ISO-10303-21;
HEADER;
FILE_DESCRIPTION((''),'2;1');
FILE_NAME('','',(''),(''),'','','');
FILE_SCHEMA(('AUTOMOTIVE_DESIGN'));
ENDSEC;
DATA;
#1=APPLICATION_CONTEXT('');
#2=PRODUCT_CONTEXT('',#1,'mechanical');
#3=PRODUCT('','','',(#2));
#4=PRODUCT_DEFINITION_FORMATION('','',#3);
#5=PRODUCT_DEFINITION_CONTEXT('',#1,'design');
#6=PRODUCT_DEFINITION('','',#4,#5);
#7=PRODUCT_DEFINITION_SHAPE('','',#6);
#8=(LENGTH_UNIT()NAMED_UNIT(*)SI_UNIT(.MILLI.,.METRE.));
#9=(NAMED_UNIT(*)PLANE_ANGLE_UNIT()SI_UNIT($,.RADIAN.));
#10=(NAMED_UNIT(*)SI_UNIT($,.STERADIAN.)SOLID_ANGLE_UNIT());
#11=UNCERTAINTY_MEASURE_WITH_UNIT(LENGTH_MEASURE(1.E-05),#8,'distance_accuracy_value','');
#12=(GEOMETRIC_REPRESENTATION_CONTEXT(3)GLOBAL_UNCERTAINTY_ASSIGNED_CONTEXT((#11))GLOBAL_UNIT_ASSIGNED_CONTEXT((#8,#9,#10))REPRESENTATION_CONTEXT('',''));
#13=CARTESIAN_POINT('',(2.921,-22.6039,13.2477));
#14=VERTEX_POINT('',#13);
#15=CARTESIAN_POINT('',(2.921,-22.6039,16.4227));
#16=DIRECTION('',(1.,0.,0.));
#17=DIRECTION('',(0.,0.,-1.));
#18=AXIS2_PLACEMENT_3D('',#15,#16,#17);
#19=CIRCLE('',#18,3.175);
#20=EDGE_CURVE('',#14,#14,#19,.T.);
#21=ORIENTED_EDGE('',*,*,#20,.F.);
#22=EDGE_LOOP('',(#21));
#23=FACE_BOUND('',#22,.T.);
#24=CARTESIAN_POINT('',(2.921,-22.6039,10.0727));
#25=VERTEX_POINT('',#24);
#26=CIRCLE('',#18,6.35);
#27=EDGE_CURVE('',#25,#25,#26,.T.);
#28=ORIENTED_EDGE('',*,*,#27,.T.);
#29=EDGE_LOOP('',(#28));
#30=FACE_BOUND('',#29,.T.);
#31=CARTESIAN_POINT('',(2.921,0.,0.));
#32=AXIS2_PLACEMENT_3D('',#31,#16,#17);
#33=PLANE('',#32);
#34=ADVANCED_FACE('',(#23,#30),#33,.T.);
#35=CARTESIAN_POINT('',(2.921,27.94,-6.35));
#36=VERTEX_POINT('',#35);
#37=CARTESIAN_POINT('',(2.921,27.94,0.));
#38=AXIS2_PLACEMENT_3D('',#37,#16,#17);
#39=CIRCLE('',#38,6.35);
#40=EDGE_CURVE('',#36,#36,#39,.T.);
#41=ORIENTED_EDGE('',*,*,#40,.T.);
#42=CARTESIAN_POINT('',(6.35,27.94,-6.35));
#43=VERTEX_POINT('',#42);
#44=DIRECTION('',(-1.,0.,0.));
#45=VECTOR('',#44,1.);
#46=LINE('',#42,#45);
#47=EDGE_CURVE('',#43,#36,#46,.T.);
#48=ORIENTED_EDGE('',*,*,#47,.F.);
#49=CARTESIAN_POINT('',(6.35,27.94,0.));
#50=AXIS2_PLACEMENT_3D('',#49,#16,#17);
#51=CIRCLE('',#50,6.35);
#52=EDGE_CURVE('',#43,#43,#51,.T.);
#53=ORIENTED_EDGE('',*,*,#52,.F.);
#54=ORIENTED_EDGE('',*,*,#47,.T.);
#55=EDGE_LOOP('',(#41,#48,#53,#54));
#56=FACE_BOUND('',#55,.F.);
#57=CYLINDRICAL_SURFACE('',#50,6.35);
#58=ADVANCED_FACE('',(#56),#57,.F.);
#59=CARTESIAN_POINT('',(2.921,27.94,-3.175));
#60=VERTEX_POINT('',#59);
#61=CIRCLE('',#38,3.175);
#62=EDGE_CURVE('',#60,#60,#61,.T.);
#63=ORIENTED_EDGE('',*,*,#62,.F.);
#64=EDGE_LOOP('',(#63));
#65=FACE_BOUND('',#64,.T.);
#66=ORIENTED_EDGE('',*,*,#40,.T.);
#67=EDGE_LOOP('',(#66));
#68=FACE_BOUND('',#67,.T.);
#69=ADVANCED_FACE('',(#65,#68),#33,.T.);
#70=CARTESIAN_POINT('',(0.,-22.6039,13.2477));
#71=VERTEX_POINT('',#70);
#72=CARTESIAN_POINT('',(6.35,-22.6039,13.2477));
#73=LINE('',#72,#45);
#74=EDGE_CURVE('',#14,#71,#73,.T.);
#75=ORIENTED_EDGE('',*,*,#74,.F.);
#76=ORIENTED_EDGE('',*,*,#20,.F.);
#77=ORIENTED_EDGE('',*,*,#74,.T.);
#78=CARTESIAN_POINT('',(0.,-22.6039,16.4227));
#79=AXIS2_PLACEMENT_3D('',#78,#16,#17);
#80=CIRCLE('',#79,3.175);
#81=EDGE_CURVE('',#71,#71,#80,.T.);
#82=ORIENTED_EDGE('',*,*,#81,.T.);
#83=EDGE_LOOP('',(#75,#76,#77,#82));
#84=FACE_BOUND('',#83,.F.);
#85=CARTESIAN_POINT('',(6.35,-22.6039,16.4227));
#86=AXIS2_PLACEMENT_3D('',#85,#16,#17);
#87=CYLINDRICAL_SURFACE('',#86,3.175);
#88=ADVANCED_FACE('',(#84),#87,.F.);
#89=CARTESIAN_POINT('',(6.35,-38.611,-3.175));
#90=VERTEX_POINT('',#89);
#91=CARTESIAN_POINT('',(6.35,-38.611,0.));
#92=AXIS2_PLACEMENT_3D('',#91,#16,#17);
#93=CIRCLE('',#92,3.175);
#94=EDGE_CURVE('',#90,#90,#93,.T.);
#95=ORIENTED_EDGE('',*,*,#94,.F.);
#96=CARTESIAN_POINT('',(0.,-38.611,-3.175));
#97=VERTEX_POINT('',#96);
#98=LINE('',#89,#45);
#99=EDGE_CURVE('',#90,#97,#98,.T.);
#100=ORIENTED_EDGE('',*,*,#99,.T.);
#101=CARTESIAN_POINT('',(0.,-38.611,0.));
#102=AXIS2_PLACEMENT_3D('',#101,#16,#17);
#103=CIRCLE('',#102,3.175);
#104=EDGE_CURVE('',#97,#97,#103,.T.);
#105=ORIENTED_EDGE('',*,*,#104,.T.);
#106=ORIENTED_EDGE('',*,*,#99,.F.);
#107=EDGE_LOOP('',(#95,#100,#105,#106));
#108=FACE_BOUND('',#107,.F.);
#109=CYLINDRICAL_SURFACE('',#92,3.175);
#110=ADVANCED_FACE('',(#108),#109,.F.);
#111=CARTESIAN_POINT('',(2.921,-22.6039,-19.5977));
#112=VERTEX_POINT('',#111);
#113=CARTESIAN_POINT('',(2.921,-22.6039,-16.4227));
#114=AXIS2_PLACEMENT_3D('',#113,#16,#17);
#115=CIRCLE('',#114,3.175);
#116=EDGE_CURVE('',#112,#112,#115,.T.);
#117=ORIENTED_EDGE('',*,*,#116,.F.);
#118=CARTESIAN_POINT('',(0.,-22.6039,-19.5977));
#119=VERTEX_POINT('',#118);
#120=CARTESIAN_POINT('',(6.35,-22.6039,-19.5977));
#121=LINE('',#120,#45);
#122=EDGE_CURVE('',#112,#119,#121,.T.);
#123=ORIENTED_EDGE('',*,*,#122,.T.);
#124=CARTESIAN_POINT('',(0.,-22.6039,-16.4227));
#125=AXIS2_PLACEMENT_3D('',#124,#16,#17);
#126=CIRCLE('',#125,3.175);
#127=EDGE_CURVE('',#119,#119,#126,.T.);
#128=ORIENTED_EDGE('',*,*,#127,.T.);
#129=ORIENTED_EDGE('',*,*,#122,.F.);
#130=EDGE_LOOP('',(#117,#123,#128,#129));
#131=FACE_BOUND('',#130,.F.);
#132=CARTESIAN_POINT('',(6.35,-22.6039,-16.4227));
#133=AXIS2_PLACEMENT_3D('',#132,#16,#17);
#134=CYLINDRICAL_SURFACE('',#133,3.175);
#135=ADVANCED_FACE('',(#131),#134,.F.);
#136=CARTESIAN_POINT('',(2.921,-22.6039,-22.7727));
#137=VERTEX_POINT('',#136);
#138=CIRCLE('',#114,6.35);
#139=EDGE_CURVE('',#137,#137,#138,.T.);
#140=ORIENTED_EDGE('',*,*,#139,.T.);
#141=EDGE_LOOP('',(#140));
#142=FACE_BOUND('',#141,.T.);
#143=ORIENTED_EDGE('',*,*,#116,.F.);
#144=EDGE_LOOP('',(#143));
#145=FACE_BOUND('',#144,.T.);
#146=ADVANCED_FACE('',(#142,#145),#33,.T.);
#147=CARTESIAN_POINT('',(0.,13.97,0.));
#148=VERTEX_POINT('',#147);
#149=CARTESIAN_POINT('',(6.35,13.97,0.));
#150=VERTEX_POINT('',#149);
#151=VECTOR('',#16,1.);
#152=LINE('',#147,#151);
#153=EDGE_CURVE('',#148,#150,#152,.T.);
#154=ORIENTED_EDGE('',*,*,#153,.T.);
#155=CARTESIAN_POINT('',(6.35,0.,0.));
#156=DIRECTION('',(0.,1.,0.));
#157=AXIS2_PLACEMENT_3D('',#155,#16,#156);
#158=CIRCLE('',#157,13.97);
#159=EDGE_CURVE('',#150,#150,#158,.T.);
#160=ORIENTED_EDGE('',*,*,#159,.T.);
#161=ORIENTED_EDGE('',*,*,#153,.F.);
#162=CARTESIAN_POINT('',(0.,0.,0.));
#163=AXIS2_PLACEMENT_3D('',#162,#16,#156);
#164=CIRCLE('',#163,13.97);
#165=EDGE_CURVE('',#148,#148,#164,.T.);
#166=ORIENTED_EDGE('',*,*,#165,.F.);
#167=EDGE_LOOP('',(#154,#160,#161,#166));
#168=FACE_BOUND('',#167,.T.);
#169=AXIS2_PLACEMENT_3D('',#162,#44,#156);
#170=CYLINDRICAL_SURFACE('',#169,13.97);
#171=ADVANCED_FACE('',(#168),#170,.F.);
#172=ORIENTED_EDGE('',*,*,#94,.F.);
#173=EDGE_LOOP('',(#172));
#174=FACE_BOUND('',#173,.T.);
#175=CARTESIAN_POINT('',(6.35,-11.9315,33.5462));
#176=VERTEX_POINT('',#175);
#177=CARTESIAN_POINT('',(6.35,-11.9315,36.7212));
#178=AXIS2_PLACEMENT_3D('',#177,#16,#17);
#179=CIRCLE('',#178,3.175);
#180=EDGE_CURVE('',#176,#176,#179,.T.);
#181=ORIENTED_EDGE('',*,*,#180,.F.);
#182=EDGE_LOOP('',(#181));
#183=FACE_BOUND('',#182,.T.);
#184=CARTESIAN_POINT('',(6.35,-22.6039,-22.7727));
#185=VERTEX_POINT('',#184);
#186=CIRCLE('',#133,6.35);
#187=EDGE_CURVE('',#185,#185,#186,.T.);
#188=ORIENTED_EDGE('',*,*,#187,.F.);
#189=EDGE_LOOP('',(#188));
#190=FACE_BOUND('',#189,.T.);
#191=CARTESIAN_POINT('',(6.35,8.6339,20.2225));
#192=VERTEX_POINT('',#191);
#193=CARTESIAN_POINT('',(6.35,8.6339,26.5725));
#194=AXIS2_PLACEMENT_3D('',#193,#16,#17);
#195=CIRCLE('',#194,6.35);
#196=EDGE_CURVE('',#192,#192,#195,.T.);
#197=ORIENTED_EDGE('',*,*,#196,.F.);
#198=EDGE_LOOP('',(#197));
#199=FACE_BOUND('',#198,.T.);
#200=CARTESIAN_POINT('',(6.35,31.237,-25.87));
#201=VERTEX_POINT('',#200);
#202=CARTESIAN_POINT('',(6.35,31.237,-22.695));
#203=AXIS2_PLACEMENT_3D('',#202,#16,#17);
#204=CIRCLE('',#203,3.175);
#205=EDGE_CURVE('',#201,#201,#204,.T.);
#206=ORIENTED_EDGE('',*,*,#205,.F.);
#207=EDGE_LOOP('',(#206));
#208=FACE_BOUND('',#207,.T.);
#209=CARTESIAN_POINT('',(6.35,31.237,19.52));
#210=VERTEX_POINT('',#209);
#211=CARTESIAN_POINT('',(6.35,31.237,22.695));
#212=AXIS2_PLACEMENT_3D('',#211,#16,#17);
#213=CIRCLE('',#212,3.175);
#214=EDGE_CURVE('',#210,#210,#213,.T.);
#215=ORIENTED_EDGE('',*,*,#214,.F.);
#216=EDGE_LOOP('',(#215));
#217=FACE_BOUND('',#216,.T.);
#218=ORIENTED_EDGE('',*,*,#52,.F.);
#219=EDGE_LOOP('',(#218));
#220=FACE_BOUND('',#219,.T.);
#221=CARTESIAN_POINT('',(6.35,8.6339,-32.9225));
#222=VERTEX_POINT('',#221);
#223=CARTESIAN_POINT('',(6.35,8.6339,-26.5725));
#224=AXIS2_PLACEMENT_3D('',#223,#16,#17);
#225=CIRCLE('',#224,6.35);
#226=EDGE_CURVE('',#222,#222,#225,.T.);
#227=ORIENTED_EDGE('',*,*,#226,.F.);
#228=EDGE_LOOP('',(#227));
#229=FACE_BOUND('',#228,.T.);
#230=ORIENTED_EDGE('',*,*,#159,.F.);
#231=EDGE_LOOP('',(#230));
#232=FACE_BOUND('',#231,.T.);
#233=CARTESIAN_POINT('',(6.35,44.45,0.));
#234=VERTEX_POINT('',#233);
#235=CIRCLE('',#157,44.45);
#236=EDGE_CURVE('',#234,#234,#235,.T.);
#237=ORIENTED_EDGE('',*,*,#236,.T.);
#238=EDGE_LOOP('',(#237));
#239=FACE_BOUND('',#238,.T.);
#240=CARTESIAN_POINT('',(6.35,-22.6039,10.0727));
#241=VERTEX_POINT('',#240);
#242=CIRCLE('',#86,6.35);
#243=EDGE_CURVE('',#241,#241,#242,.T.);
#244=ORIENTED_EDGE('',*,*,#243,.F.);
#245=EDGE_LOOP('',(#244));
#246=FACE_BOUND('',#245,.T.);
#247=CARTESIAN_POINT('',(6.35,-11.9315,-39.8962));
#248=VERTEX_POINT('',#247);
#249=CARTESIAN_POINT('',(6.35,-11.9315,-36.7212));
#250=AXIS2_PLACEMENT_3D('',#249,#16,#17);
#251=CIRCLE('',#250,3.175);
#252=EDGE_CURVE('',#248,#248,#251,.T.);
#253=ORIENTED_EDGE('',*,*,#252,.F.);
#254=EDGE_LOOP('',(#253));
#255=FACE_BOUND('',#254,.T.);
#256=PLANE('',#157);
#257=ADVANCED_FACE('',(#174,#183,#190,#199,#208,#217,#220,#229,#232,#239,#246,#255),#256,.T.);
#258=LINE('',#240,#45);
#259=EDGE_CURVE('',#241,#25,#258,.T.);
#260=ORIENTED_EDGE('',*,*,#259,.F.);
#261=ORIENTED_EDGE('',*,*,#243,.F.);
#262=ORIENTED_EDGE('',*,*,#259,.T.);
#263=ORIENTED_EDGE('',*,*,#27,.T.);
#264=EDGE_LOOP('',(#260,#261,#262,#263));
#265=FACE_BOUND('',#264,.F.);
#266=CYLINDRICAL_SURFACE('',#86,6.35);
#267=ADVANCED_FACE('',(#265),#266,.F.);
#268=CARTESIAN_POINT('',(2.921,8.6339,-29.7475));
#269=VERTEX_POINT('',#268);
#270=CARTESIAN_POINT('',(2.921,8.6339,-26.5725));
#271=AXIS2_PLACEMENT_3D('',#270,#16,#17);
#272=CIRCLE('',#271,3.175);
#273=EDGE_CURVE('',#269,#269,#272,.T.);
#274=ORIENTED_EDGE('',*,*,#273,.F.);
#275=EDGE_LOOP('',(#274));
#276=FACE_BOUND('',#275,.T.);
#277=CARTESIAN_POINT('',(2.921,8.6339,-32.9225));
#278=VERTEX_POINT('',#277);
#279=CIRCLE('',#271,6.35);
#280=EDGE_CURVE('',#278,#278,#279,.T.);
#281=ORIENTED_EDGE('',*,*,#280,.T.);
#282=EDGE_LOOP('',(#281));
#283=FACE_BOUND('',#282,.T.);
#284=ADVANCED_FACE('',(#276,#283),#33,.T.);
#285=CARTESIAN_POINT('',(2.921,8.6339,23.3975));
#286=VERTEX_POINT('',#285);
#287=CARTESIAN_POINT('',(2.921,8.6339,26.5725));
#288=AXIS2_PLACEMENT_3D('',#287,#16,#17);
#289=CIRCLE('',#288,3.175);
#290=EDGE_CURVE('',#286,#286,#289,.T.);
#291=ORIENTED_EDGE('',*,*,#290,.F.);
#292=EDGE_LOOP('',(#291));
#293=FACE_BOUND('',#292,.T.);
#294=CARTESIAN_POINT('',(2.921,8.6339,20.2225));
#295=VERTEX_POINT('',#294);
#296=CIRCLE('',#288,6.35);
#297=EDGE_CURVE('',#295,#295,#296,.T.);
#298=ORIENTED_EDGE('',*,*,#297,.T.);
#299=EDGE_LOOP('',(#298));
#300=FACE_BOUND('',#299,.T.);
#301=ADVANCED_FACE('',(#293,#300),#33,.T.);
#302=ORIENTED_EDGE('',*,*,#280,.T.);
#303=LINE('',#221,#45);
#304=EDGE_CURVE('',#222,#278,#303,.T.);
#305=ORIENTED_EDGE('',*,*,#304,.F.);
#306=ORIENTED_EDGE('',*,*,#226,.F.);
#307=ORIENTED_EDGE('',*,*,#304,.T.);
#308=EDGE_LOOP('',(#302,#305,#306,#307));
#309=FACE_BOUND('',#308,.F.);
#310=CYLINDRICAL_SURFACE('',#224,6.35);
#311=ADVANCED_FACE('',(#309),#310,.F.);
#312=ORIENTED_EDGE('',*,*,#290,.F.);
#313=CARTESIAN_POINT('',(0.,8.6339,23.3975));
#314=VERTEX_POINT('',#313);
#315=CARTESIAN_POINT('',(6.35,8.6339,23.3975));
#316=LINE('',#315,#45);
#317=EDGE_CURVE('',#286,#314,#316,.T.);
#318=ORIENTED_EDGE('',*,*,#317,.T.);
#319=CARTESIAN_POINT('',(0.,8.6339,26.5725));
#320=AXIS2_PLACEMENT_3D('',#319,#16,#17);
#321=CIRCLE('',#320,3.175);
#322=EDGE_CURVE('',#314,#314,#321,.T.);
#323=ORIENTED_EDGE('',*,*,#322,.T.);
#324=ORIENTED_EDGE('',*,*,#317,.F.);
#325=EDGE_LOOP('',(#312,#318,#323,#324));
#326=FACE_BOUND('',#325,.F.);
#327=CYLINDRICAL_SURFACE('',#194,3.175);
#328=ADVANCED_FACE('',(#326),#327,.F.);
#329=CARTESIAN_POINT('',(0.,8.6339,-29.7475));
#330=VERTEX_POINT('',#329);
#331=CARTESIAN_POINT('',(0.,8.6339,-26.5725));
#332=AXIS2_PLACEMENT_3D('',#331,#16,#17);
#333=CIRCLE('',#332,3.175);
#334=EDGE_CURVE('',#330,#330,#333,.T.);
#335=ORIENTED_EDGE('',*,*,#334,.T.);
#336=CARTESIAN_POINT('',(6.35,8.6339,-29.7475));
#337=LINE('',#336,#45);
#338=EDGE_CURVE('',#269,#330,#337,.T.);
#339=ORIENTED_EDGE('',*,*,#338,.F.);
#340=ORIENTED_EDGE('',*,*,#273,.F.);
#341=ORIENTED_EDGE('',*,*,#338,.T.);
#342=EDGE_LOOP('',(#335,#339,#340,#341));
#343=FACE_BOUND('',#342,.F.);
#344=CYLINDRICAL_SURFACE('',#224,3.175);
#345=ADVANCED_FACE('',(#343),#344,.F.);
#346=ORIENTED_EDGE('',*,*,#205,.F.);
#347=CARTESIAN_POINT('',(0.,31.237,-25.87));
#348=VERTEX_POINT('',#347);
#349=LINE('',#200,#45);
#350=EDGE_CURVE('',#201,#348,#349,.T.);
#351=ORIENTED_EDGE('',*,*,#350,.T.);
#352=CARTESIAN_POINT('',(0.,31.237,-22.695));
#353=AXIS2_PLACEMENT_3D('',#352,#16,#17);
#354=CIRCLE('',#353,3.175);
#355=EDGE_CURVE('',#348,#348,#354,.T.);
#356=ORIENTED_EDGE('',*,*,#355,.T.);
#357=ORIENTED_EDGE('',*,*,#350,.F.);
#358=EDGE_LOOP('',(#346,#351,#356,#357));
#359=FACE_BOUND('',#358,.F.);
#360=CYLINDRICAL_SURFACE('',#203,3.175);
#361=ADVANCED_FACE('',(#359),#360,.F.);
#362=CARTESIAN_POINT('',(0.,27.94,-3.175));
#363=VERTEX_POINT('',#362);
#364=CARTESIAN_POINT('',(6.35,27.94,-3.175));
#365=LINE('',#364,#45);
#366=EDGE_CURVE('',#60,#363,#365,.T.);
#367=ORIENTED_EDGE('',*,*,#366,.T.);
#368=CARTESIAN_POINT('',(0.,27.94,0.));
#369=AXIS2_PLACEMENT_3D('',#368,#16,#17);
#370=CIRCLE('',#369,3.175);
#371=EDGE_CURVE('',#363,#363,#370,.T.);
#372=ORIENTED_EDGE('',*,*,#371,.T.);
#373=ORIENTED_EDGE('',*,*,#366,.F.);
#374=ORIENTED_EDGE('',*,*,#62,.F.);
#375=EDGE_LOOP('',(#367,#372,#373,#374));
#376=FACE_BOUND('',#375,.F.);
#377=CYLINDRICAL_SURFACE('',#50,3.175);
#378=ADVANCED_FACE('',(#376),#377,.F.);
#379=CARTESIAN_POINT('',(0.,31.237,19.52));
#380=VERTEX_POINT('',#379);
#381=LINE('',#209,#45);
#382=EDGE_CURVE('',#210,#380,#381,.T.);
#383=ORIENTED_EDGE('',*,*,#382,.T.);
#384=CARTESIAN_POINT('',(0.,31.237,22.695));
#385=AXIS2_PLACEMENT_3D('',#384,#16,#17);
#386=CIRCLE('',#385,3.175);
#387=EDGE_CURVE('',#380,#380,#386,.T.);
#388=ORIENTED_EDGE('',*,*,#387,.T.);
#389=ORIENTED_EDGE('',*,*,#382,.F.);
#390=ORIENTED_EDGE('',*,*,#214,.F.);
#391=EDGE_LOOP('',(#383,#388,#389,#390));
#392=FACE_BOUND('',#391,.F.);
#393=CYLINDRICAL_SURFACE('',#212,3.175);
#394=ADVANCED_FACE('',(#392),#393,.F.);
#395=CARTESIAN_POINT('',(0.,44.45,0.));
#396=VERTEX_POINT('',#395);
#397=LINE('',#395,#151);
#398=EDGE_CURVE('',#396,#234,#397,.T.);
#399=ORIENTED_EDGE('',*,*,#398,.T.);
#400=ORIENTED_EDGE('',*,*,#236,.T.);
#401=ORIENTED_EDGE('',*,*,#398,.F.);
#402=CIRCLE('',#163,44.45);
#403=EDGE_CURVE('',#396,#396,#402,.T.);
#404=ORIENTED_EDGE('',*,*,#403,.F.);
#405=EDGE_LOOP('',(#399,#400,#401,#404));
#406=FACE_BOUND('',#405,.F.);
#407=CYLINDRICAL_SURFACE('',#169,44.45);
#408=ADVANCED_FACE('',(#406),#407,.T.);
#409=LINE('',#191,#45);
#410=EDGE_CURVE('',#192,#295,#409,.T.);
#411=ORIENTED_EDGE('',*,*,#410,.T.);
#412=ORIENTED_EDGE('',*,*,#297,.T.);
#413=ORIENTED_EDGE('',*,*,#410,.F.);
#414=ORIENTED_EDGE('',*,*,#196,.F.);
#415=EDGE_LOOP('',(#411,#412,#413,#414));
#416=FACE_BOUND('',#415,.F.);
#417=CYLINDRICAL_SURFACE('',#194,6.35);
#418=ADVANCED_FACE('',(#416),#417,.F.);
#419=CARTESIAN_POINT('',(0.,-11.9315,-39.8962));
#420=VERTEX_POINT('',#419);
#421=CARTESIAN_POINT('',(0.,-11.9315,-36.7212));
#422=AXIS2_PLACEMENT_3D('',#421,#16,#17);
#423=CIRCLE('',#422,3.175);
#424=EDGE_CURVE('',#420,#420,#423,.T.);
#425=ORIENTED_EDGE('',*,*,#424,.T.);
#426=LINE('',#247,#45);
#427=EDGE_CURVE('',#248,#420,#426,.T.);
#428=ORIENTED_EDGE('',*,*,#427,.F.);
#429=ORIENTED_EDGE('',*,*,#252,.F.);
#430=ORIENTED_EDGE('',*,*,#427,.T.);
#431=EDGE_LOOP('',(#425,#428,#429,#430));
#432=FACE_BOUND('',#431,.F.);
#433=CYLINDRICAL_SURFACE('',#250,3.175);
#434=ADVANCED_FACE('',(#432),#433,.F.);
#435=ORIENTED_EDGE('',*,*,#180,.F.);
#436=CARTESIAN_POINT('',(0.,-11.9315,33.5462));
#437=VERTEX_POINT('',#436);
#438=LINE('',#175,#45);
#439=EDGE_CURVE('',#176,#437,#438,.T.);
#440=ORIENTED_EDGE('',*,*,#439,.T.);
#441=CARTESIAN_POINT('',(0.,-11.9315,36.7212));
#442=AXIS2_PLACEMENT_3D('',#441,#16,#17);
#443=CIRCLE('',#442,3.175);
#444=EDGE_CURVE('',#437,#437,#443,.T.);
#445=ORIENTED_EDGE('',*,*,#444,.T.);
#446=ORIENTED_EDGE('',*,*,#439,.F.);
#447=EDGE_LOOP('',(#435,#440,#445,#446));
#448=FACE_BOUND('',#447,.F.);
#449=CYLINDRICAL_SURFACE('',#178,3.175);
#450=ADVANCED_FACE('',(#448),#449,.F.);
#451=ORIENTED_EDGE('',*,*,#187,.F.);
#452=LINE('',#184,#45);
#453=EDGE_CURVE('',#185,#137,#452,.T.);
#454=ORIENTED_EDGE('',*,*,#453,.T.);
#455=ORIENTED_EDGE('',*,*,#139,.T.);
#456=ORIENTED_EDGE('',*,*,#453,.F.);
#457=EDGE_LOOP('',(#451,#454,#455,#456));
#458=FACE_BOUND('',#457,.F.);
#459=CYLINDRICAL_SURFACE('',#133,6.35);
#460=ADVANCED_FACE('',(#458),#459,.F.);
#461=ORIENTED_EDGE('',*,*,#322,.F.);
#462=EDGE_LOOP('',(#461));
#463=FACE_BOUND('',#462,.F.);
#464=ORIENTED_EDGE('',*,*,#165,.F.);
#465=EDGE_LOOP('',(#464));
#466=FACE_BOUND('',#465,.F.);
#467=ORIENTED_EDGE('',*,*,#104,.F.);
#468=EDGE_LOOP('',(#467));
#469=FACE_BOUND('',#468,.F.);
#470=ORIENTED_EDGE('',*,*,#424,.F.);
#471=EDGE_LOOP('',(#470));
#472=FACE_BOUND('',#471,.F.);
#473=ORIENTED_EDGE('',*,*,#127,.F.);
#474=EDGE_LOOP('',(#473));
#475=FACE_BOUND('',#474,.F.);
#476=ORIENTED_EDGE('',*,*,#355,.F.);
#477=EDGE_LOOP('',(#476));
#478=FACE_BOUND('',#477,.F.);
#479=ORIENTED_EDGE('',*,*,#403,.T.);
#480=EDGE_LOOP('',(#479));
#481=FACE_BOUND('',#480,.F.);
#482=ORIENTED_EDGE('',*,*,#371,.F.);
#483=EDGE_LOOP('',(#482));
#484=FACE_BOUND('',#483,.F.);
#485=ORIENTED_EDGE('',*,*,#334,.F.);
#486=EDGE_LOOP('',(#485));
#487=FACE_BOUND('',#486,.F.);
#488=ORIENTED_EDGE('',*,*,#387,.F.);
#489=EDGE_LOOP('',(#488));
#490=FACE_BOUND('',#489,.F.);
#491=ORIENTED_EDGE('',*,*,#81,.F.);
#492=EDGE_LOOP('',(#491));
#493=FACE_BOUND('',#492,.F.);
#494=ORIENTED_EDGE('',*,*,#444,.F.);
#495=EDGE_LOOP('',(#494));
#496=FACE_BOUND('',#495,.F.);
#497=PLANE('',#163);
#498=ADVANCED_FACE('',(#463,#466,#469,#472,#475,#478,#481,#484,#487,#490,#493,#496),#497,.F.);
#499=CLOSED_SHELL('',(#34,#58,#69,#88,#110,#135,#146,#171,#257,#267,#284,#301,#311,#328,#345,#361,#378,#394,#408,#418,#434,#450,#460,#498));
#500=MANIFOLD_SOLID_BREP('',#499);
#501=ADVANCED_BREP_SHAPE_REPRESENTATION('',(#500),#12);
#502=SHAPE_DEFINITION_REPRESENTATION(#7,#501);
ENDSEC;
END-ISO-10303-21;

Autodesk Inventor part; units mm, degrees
ref_plane "YZ Plane" through (0, 0, 0) normal (1, 0, 0) x (0, 1, 0)
ref_plane "XZ Plane" through (0, 0, 0) normal (0, 1, 0) x (-1, 0, 0)
ref_plane "XY Plane" through (0, 0, 0) normal (0, 0, 1) x (1, 0, 0)
sketch "Sketch1" plane through (0, 0, 0) normal (1, 0, 0) x (0, 1, 0)
  circle A0 centre (0, 0) radius 13.97
  circle A1 centre (0, 0) radius 44.45
  dimension "d0" = 27.94
  dimension "d1" = 88.9
extrude "Extrusion1" add sketch "Sketch1" along normal blind 6.35
sketch "Sketch2" plane through (6.35, 0, 0) normal (1, 0, 0) x (0, 0, -1)
  arc A0 (25.458, -0.8256) -> (35.4837, 5.2699) centre (26.5725, 8.6339) ccw projected
  arc A1 (25.6093, -25.1202) -> (21.0812, -14.2959) centre (16.4227, -22.6039) ccw projected
  arc A2 (37.0087, -36.5562) -> (51.4278, 7.8214) centre (0, 0) ccw projected
  circle A3 centre (36.7212, -11.9315) radius 13.4082
  circle A4 centre (36.7212, -11.9315) radius 3.175
  circle A5 centre (22.695, 31.237) radius 3.175
  circle A6 centre (-22.695, 31.237) radius 3.175
  circle A7 centre (-36.7212, -11.9315) radius 3.175
  circle A8 centre (0, -38.611) radius 3.175
  point P0 (0, 0)
  dimension "d4" = 6.35
  dimension "d7" = 360
extrude "Extrusion2" cut sketch "Sketch2" against normal through all contours A4 | A5 | A6 | A7 | A8
thread "Thread1" size "1/4-20 UNC" class "2B" standard "ANSI Unified Screw Threads" full length
thread "Thread2" size "1/4-20 UNC" class "2B" standard "ANSI Unified Screw Threads" full length
thread "Thread3" size "1/4-20 UNC" class "2B" standard "ANSI Unified Screw Threads" full length
thread "Thread4" size "1/4-20 UNC" class "2B" standard "ANSI Unified Screw Threads" full length
thread "Thread5" size "1/4-20 UNC" class "2B" standard "ANSI Unified Screw Threads" full length
sketch "Sketch3" plane through (6.35, 0, 0) normal (1, 0, 0) x (0, 0, -1)
  circle A0 centre (26.5725, 8.6339) radius 1.27 projected
  circle A1 centre (26.5725, 8.6339) radius 3.175
  circle A2 centre (0, 27.94) radius 3.175
  circle A3 centre (-26.5725, 8.6339) radius 3.175
  circle A4 centre (-16.4227, -22.6039) radius 3.175
  circle A5 centre (16.4227, -22.6039) radius 3.175
  point P0 (0, 0)
  dimension "d21" = 6.35
  dimension "d24" = 360
extrude "Extrusion3" cut sketch "Sketch3" against normal up to next contours A0 | A1 | A2 | A3 | A4 | A5
sketch "Sketch4" plane through (6.35, 0, 0) normal (1, 0, 0) x (0, 0, -1)
  circle A0 centre (26.5725, 8.6339) radius 3.175 projected
  circle A1 centre (26.5725, 8.6339) radius 6.35
  circle A2 centre (0, 27.94) radius 6.35
  circle A3 centre (-26.5725, 8.6339) radius 6.35
  circle A4 centre (-16.4227, -22.6039) radius 6.35
  circle A5 centre (16.4227, -22.6039) radius 6.35
  point P0 (0, 0)
  dimension "d28" = 12.7
  dimension "d33" = 360
extrude "Extrusion4" cut sketch "Sketch4" against normal blind 3.429
properties part number "spacer_flange"
